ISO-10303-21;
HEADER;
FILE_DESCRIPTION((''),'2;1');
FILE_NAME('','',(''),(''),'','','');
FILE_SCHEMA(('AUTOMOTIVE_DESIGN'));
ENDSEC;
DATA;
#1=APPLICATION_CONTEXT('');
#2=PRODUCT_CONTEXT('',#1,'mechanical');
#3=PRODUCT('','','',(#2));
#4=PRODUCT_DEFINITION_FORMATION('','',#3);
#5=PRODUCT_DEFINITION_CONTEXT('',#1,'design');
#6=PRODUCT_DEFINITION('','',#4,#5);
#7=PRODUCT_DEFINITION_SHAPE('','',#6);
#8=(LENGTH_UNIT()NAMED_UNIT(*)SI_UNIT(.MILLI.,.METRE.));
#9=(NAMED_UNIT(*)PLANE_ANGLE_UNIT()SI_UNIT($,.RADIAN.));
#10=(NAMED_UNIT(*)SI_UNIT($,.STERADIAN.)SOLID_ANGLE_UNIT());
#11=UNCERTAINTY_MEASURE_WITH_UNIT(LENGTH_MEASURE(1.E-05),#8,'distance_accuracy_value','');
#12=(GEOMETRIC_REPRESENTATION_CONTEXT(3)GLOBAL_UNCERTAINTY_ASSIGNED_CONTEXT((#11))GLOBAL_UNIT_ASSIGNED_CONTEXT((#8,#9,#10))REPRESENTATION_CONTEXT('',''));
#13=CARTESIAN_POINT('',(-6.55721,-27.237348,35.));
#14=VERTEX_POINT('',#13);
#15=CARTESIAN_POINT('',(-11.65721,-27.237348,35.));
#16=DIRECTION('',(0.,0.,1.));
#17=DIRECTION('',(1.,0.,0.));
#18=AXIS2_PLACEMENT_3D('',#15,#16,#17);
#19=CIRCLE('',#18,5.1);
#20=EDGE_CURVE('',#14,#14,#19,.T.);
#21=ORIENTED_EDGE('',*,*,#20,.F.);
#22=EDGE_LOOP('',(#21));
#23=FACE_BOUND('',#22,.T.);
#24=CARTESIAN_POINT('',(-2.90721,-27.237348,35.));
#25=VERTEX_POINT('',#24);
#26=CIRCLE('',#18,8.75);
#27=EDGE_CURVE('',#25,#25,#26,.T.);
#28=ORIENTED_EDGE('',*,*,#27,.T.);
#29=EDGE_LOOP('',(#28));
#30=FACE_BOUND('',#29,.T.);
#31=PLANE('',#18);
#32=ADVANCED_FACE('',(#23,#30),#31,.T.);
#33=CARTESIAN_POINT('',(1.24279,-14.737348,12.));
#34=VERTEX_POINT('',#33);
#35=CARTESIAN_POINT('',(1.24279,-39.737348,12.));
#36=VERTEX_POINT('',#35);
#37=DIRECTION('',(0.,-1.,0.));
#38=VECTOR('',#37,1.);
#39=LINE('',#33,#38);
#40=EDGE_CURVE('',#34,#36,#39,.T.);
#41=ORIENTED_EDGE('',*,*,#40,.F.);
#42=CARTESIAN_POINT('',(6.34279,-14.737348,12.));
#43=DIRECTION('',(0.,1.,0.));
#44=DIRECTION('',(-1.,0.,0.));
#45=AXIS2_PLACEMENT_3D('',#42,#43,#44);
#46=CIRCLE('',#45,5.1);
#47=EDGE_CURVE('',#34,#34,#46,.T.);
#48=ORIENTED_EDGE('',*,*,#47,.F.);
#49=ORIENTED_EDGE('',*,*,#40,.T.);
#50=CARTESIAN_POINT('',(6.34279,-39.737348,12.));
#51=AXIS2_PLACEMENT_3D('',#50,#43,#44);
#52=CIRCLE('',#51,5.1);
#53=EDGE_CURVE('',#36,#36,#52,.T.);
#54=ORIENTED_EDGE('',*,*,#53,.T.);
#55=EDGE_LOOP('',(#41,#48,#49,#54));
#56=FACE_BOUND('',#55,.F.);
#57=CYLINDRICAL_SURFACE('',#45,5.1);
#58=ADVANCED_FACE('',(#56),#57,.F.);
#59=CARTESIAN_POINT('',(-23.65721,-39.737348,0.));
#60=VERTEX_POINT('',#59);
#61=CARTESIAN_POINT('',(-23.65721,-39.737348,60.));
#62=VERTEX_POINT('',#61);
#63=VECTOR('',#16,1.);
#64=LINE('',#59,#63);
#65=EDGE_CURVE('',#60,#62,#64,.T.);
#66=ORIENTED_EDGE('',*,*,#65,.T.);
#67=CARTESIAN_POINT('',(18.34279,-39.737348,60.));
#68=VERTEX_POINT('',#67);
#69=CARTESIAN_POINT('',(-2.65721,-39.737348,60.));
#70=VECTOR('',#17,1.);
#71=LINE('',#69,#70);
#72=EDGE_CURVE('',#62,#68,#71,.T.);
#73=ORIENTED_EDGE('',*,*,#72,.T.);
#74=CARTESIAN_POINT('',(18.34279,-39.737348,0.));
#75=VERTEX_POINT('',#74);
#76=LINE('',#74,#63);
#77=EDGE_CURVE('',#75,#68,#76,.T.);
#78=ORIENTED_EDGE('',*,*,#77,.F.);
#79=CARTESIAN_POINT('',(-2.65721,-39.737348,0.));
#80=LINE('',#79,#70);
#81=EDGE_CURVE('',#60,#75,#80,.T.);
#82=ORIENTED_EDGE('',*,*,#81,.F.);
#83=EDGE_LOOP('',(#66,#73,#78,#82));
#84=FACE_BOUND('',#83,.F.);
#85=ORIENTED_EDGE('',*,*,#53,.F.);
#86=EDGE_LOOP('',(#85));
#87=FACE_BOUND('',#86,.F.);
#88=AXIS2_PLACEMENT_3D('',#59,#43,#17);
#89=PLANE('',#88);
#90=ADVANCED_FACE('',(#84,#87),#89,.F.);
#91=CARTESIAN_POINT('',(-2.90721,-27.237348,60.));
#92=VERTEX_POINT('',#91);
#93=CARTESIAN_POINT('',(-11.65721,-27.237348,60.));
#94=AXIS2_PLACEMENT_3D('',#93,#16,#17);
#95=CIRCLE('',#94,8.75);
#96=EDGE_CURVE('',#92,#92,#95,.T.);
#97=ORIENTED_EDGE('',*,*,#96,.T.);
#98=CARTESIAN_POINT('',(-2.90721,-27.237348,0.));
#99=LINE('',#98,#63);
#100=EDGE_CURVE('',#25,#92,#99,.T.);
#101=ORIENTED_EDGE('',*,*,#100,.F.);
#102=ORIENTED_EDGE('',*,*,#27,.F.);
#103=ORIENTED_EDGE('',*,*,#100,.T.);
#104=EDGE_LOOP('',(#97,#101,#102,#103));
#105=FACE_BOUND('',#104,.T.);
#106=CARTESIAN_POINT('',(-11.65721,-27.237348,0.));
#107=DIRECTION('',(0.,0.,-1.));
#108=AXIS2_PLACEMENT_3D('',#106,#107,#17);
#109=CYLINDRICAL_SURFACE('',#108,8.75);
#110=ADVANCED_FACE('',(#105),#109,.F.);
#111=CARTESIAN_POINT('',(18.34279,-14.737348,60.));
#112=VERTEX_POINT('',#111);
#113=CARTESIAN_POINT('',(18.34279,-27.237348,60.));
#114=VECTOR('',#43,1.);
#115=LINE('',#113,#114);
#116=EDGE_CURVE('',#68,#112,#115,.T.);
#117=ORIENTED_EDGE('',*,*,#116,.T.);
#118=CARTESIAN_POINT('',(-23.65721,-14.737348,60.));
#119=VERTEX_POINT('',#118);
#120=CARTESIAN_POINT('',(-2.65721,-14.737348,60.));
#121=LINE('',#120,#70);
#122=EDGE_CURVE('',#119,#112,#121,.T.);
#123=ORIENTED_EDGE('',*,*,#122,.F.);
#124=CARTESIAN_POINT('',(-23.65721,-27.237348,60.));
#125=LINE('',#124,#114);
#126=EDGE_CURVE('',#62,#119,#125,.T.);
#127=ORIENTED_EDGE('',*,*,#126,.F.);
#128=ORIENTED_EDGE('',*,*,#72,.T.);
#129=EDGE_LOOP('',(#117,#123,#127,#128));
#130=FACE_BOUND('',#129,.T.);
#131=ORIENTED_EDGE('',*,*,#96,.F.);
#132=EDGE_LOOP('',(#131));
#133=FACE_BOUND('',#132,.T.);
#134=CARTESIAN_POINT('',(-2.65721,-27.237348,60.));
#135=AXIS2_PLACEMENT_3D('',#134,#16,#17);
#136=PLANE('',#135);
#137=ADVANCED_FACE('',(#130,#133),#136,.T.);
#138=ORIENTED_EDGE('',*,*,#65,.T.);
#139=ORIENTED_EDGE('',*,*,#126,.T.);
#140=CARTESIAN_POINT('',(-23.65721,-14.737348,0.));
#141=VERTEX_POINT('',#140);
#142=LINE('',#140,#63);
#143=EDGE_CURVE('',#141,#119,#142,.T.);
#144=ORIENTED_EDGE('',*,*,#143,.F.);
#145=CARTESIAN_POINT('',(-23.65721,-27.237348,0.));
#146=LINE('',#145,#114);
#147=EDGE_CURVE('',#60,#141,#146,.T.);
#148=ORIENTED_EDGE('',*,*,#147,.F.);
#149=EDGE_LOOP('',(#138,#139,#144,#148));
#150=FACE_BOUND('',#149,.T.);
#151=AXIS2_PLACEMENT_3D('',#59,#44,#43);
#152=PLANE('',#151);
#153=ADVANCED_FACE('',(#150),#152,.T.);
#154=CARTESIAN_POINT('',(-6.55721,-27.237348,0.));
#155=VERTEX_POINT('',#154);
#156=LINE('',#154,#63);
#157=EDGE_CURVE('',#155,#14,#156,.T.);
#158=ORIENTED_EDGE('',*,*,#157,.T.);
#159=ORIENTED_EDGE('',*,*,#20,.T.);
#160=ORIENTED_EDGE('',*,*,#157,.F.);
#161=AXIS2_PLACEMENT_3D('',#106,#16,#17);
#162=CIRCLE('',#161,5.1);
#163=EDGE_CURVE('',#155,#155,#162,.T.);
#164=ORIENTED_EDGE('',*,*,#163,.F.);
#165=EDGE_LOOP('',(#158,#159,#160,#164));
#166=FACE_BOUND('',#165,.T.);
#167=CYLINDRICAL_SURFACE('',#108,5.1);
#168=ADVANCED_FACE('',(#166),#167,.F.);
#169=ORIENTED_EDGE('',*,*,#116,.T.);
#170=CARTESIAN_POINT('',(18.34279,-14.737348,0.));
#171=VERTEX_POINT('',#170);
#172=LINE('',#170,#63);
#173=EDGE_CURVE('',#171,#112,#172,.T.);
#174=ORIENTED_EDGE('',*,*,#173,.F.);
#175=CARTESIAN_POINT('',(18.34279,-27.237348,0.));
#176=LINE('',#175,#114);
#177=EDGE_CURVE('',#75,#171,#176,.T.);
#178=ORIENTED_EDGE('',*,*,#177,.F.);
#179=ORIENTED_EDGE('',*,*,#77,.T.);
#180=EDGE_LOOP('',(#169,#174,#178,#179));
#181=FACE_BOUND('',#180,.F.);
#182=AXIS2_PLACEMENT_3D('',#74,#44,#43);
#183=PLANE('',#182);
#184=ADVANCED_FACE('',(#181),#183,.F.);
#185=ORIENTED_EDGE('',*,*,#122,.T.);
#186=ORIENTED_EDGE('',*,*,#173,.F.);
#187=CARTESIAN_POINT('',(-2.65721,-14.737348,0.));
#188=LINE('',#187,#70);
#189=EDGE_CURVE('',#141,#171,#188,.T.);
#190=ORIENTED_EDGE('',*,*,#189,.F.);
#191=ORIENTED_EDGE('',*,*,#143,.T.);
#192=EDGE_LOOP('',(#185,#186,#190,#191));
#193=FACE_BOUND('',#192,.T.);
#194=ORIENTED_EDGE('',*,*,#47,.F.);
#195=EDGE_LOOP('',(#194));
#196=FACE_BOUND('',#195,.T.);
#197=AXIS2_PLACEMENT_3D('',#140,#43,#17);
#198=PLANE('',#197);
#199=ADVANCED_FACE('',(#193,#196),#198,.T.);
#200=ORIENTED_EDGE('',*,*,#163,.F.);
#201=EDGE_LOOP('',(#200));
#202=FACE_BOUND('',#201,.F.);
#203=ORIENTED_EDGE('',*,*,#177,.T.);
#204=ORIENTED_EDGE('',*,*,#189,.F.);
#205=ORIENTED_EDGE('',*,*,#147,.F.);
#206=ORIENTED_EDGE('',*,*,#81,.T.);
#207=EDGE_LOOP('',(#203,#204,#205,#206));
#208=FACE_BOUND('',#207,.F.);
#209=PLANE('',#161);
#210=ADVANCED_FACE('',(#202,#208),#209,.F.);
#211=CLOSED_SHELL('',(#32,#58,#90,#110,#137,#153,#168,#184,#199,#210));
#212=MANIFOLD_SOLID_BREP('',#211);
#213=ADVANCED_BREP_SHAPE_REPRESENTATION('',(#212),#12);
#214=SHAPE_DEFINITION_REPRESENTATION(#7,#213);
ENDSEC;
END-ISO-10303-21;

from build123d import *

# Parameters (mm, degrees)
F0_W     = 42
F0_H     = 25
F0_R     = 8.75
F1_DEPTH = 60
F0_R_2   = 5.1
F2_DEPTH = 35
F3_R     = 5.1
F4_DEPTH = 47.6


with BuildPart() as f1:
    # F0 (on Top) → F1 (new body)
    with BuildSketch(Plane.XY):
        with Locations((-2.65721, -27.237348)):
            Rectangle(F0_W, F0_H)
        with Locations((-11.65721, -27.237348)):
            Circle(F0_R, mode=Mode.SUBTRACT)
    extrude(amount=F1_DEPTH)

    # F0 (on Top) → F2 (join)
    with BuildSketch(Plane.XY):
        with Locations((-11.65721, -27.237348)):
            Circle(F0_R)
        with Locations((-11.65721, -27.237348)):
            Circle(F0_R_2, mode=Mode.SUBTRACT)
    extrude(amount=F2_DEPTH)

    # F3 (on face) → F4 (cut)
    with BuildSketch(Plane(origin=(0, -14.737348, 0), x_dir=(-1, 0, 0), z_dir=(0, 1, 0))):
        with Locations((-6.34279, 12)):
            Circle(F3_R)
    extrude(amount=-F4_DEPTH, mode=Mode.SUBTRACT)


solid = f1.part
